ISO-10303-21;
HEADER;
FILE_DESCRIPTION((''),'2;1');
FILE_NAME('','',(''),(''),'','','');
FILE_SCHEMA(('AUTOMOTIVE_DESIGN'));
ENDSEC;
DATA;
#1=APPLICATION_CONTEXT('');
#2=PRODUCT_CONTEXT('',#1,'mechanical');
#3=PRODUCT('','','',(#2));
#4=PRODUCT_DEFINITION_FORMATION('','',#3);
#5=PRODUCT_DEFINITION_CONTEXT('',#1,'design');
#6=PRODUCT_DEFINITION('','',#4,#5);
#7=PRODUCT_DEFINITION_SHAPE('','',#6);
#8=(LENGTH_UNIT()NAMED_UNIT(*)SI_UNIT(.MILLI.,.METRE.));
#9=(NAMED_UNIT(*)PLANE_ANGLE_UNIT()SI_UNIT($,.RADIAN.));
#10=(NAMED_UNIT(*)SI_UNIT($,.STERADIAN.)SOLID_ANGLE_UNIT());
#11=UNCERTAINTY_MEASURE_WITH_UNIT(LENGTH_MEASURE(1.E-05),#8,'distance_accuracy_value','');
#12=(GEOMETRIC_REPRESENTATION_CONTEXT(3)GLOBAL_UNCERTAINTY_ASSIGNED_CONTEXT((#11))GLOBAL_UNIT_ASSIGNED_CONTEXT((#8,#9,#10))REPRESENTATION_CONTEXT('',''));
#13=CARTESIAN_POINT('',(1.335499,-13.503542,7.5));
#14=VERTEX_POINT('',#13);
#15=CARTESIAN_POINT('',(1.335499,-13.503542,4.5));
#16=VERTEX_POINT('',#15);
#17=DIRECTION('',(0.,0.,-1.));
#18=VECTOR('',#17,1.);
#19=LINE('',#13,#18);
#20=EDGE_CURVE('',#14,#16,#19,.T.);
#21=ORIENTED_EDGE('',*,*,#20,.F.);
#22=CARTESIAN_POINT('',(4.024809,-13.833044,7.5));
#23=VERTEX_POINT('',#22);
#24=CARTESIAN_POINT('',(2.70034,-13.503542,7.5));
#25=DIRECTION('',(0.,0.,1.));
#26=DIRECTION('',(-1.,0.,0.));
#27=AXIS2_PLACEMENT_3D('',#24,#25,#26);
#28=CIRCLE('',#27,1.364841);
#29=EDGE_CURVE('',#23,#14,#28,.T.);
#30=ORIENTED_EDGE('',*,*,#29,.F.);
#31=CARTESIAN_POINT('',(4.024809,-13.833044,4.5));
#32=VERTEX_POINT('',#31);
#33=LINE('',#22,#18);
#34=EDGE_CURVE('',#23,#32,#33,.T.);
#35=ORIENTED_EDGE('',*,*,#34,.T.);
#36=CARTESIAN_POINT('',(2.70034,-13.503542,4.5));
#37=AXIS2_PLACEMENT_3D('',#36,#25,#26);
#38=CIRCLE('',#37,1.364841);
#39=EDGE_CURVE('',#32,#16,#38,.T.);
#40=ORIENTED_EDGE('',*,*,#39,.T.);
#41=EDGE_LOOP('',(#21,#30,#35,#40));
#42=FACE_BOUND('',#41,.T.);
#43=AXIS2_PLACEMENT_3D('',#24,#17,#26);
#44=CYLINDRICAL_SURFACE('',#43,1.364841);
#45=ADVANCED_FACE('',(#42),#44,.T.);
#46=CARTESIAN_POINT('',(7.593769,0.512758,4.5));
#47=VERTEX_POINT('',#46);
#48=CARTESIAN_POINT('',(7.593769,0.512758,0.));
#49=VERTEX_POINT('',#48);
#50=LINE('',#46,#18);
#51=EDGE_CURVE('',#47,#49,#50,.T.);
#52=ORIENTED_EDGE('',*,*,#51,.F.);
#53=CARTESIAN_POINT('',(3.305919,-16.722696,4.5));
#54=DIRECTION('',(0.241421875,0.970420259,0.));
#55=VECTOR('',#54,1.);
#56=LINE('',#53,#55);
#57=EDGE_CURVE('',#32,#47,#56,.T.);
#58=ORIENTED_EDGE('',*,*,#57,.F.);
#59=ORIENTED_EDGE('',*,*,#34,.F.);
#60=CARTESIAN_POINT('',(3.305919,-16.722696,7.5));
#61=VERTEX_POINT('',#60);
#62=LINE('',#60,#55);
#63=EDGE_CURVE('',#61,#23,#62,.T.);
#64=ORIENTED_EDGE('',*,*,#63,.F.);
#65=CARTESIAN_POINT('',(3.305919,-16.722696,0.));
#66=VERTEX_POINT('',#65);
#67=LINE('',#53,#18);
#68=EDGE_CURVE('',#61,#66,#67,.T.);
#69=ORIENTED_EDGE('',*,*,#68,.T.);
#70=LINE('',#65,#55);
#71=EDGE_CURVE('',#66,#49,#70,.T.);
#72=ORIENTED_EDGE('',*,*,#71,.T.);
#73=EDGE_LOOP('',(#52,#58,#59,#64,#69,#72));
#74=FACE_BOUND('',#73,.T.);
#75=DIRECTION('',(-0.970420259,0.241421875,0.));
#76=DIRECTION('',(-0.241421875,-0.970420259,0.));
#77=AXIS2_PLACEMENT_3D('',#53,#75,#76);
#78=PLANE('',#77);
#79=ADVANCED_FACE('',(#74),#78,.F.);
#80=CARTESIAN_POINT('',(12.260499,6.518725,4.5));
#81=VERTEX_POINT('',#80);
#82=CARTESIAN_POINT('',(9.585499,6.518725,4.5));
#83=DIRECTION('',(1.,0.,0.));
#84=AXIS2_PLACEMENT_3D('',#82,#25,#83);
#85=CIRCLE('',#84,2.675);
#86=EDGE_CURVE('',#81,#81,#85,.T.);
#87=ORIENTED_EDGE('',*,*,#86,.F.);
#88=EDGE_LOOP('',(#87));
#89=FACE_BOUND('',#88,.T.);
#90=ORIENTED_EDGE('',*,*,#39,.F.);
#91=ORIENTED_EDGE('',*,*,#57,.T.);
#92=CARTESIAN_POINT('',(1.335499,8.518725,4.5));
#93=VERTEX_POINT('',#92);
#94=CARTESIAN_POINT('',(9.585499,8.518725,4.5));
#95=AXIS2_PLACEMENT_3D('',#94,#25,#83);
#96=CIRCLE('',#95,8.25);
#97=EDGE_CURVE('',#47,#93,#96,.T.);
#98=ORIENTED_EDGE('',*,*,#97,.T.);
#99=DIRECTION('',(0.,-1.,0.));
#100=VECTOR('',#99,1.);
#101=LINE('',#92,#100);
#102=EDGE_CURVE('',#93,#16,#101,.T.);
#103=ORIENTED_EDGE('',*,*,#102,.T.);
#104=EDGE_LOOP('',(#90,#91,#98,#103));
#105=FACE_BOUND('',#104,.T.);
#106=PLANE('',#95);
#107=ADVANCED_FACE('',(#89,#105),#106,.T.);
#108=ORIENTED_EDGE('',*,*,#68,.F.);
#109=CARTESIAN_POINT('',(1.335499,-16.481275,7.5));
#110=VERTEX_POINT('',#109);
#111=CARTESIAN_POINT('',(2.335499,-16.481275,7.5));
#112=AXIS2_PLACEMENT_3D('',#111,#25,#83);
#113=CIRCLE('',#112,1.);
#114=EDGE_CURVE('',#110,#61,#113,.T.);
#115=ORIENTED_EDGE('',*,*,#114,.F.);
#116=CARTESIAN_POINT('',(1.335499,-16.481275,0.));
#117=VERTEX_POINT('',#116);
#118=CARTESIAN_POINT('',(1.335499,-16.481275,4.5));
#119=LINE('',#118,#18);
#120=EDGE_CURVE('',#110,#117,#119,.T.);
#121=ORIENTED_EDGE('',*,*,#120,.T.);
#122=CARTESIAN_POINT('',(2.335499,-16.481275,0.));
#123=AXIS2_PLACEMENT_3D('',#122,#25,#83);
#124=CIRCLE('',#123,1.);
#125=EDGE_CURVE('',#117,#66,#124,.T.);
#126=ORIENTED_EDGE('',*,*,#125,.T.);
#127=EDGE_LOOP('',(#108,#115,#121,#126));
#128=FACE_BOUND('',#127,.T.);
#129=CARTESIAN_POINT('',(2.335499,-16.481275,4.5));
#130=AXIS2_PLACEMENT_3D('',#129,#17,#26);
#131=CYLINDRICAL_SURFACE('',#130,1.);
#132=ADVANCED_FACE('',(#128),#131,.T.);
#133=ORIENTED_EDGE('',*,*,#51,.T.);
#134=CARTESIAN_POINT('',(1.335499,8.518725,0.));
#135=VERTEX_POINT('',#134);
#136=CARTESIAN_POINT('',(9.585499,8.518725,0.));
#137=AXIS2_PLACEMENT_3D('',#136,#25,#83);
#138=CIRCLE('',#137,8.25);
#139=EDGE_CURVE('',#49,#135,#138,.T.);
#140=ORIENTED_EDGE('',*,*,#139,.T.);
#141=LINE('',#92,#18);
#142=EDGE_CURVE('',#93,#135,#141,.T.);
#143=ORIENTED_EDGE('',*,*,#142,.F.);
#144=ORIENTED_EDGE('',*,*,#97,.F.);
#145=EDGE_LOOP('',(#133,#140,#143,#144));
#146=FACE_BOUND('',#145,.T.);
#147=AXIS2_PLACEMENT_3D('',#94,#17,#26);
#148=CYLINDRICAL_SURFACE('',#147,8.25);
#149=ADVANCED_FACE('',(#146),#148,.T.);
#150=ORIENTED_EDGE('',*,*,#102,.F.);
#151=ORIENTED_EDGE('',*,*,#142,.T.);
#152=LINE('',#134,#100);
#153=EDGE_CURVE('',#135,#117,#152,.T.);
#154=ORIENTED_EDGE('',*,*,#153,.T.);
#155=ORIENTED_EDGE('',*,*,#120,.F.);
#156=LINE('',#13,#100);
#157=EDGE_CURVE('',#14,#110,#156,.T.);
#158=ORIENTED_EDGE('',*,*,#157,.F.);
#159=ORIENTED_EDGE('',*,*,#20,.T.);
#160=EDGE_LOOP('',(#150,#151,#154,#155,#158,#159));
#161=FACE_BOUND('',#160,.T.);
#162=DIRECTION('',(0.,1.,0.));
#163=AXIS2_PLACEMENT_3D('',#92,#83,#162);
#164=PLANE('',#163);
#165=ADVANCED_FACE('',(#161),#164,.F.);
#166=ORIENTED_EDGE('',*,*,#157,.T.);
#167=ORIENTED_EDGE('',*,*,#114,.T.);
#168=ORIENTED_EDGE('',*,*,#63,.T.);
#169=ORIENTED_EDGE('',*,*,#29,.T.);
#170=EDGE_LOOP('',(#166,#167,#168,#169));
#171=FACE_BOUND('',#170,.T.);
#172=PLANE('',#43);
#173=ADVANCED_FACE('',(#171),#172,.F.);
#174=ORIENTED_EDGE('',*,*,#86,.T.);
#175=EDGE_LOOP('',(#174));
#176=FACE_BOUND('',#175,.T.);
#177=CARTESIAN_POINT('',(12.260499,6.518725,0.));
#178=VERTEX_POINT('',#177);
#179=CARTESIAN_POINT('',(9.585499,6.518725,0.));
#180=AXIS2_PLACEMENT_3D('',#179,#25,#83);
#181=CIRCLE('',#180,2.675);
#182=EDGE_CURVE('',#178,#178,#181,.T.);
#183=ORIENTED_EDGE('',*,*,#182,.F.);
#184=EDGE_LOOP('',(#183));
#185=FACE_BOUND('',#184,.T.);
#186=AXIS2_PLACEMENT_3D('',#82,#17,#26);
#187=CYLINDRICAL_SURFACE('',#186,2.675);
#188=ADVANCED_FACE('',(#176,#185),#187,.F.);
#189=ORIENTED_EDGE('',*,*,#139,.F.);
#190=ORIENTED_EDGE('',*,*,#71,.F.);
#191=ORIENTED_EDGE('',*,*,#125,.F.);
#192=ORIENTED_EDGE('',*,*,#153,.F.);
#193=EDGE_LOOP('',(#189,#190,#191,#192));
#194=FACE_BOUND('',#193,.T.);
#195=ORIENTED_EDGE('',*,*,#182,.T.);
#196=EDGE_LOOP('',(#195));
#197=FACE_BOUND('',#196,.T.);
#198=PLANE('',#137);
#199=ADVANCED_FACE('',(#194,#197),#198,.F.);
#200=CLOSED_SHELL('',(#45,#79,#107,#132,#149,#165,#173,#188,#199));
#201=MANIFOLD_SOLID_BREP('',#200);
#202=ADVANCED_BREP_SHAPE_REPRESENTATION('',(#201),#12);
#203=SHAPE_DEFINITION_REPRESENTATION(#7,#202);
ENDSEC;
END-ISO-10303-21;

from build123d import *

# Parameters (mm, degrees)
SKETCH1_R           = 2.675
BOSS_EXTRUDE1_DEPTH = 4.5
BOSS_EXTRUDE2_DEPTH = 3


with BuildPart() as part:
    # Sketch1 → Boss-Extrude1 (new body)
    with BuildSketch(Plane.XY):
        with BuildLine():
            Line((1.335499014, 8.518725494), (1.335499014, -16.481274506))
            ThreePointArc((1.335499014, -16.481274506), (2.213885401, -17.473852024), (3.305919272, -16.722696381))
            Line((3.305919272, -16.722696381), (7.593768545, 0.512758361))
            ThreePointArc((7.593768545, 0.512758361), (16.08527887, 13.599607486), (1.335499014, 8.518725494))
        make_face()
        with Locations((9.585499014, 6.518725494)):
            Circle(SKETCH1_R, mode=Mode.SUBTRACT)
    extrude(amount=BOSS_EXTRUDE1_DEPTH)

    # Sketch2 → Boss-Extrude2 (add)
    with BuildSketch(Plane.XY.offset(4.5)):
        with BuildLine():
            Line((1.335499014, -13.503541952), (1.335499014, -16.481274506))
            ThreePointArc((1.335499014, -16.481274506), (2.213885401, -17.473852024), (3.305919272, -16.722696381))
            Line((3.305919272, -16.722696381), (4.024809049, -13.833044386))
            ThreePointArc((4.024809049, -13.833044386), (2.866323075, -12.148831621), (1.335499014, -13.503541952))
        make_face()
    extrude(amount=BOSS_EXTRUDE2_DEPTH)


solid = part.part
